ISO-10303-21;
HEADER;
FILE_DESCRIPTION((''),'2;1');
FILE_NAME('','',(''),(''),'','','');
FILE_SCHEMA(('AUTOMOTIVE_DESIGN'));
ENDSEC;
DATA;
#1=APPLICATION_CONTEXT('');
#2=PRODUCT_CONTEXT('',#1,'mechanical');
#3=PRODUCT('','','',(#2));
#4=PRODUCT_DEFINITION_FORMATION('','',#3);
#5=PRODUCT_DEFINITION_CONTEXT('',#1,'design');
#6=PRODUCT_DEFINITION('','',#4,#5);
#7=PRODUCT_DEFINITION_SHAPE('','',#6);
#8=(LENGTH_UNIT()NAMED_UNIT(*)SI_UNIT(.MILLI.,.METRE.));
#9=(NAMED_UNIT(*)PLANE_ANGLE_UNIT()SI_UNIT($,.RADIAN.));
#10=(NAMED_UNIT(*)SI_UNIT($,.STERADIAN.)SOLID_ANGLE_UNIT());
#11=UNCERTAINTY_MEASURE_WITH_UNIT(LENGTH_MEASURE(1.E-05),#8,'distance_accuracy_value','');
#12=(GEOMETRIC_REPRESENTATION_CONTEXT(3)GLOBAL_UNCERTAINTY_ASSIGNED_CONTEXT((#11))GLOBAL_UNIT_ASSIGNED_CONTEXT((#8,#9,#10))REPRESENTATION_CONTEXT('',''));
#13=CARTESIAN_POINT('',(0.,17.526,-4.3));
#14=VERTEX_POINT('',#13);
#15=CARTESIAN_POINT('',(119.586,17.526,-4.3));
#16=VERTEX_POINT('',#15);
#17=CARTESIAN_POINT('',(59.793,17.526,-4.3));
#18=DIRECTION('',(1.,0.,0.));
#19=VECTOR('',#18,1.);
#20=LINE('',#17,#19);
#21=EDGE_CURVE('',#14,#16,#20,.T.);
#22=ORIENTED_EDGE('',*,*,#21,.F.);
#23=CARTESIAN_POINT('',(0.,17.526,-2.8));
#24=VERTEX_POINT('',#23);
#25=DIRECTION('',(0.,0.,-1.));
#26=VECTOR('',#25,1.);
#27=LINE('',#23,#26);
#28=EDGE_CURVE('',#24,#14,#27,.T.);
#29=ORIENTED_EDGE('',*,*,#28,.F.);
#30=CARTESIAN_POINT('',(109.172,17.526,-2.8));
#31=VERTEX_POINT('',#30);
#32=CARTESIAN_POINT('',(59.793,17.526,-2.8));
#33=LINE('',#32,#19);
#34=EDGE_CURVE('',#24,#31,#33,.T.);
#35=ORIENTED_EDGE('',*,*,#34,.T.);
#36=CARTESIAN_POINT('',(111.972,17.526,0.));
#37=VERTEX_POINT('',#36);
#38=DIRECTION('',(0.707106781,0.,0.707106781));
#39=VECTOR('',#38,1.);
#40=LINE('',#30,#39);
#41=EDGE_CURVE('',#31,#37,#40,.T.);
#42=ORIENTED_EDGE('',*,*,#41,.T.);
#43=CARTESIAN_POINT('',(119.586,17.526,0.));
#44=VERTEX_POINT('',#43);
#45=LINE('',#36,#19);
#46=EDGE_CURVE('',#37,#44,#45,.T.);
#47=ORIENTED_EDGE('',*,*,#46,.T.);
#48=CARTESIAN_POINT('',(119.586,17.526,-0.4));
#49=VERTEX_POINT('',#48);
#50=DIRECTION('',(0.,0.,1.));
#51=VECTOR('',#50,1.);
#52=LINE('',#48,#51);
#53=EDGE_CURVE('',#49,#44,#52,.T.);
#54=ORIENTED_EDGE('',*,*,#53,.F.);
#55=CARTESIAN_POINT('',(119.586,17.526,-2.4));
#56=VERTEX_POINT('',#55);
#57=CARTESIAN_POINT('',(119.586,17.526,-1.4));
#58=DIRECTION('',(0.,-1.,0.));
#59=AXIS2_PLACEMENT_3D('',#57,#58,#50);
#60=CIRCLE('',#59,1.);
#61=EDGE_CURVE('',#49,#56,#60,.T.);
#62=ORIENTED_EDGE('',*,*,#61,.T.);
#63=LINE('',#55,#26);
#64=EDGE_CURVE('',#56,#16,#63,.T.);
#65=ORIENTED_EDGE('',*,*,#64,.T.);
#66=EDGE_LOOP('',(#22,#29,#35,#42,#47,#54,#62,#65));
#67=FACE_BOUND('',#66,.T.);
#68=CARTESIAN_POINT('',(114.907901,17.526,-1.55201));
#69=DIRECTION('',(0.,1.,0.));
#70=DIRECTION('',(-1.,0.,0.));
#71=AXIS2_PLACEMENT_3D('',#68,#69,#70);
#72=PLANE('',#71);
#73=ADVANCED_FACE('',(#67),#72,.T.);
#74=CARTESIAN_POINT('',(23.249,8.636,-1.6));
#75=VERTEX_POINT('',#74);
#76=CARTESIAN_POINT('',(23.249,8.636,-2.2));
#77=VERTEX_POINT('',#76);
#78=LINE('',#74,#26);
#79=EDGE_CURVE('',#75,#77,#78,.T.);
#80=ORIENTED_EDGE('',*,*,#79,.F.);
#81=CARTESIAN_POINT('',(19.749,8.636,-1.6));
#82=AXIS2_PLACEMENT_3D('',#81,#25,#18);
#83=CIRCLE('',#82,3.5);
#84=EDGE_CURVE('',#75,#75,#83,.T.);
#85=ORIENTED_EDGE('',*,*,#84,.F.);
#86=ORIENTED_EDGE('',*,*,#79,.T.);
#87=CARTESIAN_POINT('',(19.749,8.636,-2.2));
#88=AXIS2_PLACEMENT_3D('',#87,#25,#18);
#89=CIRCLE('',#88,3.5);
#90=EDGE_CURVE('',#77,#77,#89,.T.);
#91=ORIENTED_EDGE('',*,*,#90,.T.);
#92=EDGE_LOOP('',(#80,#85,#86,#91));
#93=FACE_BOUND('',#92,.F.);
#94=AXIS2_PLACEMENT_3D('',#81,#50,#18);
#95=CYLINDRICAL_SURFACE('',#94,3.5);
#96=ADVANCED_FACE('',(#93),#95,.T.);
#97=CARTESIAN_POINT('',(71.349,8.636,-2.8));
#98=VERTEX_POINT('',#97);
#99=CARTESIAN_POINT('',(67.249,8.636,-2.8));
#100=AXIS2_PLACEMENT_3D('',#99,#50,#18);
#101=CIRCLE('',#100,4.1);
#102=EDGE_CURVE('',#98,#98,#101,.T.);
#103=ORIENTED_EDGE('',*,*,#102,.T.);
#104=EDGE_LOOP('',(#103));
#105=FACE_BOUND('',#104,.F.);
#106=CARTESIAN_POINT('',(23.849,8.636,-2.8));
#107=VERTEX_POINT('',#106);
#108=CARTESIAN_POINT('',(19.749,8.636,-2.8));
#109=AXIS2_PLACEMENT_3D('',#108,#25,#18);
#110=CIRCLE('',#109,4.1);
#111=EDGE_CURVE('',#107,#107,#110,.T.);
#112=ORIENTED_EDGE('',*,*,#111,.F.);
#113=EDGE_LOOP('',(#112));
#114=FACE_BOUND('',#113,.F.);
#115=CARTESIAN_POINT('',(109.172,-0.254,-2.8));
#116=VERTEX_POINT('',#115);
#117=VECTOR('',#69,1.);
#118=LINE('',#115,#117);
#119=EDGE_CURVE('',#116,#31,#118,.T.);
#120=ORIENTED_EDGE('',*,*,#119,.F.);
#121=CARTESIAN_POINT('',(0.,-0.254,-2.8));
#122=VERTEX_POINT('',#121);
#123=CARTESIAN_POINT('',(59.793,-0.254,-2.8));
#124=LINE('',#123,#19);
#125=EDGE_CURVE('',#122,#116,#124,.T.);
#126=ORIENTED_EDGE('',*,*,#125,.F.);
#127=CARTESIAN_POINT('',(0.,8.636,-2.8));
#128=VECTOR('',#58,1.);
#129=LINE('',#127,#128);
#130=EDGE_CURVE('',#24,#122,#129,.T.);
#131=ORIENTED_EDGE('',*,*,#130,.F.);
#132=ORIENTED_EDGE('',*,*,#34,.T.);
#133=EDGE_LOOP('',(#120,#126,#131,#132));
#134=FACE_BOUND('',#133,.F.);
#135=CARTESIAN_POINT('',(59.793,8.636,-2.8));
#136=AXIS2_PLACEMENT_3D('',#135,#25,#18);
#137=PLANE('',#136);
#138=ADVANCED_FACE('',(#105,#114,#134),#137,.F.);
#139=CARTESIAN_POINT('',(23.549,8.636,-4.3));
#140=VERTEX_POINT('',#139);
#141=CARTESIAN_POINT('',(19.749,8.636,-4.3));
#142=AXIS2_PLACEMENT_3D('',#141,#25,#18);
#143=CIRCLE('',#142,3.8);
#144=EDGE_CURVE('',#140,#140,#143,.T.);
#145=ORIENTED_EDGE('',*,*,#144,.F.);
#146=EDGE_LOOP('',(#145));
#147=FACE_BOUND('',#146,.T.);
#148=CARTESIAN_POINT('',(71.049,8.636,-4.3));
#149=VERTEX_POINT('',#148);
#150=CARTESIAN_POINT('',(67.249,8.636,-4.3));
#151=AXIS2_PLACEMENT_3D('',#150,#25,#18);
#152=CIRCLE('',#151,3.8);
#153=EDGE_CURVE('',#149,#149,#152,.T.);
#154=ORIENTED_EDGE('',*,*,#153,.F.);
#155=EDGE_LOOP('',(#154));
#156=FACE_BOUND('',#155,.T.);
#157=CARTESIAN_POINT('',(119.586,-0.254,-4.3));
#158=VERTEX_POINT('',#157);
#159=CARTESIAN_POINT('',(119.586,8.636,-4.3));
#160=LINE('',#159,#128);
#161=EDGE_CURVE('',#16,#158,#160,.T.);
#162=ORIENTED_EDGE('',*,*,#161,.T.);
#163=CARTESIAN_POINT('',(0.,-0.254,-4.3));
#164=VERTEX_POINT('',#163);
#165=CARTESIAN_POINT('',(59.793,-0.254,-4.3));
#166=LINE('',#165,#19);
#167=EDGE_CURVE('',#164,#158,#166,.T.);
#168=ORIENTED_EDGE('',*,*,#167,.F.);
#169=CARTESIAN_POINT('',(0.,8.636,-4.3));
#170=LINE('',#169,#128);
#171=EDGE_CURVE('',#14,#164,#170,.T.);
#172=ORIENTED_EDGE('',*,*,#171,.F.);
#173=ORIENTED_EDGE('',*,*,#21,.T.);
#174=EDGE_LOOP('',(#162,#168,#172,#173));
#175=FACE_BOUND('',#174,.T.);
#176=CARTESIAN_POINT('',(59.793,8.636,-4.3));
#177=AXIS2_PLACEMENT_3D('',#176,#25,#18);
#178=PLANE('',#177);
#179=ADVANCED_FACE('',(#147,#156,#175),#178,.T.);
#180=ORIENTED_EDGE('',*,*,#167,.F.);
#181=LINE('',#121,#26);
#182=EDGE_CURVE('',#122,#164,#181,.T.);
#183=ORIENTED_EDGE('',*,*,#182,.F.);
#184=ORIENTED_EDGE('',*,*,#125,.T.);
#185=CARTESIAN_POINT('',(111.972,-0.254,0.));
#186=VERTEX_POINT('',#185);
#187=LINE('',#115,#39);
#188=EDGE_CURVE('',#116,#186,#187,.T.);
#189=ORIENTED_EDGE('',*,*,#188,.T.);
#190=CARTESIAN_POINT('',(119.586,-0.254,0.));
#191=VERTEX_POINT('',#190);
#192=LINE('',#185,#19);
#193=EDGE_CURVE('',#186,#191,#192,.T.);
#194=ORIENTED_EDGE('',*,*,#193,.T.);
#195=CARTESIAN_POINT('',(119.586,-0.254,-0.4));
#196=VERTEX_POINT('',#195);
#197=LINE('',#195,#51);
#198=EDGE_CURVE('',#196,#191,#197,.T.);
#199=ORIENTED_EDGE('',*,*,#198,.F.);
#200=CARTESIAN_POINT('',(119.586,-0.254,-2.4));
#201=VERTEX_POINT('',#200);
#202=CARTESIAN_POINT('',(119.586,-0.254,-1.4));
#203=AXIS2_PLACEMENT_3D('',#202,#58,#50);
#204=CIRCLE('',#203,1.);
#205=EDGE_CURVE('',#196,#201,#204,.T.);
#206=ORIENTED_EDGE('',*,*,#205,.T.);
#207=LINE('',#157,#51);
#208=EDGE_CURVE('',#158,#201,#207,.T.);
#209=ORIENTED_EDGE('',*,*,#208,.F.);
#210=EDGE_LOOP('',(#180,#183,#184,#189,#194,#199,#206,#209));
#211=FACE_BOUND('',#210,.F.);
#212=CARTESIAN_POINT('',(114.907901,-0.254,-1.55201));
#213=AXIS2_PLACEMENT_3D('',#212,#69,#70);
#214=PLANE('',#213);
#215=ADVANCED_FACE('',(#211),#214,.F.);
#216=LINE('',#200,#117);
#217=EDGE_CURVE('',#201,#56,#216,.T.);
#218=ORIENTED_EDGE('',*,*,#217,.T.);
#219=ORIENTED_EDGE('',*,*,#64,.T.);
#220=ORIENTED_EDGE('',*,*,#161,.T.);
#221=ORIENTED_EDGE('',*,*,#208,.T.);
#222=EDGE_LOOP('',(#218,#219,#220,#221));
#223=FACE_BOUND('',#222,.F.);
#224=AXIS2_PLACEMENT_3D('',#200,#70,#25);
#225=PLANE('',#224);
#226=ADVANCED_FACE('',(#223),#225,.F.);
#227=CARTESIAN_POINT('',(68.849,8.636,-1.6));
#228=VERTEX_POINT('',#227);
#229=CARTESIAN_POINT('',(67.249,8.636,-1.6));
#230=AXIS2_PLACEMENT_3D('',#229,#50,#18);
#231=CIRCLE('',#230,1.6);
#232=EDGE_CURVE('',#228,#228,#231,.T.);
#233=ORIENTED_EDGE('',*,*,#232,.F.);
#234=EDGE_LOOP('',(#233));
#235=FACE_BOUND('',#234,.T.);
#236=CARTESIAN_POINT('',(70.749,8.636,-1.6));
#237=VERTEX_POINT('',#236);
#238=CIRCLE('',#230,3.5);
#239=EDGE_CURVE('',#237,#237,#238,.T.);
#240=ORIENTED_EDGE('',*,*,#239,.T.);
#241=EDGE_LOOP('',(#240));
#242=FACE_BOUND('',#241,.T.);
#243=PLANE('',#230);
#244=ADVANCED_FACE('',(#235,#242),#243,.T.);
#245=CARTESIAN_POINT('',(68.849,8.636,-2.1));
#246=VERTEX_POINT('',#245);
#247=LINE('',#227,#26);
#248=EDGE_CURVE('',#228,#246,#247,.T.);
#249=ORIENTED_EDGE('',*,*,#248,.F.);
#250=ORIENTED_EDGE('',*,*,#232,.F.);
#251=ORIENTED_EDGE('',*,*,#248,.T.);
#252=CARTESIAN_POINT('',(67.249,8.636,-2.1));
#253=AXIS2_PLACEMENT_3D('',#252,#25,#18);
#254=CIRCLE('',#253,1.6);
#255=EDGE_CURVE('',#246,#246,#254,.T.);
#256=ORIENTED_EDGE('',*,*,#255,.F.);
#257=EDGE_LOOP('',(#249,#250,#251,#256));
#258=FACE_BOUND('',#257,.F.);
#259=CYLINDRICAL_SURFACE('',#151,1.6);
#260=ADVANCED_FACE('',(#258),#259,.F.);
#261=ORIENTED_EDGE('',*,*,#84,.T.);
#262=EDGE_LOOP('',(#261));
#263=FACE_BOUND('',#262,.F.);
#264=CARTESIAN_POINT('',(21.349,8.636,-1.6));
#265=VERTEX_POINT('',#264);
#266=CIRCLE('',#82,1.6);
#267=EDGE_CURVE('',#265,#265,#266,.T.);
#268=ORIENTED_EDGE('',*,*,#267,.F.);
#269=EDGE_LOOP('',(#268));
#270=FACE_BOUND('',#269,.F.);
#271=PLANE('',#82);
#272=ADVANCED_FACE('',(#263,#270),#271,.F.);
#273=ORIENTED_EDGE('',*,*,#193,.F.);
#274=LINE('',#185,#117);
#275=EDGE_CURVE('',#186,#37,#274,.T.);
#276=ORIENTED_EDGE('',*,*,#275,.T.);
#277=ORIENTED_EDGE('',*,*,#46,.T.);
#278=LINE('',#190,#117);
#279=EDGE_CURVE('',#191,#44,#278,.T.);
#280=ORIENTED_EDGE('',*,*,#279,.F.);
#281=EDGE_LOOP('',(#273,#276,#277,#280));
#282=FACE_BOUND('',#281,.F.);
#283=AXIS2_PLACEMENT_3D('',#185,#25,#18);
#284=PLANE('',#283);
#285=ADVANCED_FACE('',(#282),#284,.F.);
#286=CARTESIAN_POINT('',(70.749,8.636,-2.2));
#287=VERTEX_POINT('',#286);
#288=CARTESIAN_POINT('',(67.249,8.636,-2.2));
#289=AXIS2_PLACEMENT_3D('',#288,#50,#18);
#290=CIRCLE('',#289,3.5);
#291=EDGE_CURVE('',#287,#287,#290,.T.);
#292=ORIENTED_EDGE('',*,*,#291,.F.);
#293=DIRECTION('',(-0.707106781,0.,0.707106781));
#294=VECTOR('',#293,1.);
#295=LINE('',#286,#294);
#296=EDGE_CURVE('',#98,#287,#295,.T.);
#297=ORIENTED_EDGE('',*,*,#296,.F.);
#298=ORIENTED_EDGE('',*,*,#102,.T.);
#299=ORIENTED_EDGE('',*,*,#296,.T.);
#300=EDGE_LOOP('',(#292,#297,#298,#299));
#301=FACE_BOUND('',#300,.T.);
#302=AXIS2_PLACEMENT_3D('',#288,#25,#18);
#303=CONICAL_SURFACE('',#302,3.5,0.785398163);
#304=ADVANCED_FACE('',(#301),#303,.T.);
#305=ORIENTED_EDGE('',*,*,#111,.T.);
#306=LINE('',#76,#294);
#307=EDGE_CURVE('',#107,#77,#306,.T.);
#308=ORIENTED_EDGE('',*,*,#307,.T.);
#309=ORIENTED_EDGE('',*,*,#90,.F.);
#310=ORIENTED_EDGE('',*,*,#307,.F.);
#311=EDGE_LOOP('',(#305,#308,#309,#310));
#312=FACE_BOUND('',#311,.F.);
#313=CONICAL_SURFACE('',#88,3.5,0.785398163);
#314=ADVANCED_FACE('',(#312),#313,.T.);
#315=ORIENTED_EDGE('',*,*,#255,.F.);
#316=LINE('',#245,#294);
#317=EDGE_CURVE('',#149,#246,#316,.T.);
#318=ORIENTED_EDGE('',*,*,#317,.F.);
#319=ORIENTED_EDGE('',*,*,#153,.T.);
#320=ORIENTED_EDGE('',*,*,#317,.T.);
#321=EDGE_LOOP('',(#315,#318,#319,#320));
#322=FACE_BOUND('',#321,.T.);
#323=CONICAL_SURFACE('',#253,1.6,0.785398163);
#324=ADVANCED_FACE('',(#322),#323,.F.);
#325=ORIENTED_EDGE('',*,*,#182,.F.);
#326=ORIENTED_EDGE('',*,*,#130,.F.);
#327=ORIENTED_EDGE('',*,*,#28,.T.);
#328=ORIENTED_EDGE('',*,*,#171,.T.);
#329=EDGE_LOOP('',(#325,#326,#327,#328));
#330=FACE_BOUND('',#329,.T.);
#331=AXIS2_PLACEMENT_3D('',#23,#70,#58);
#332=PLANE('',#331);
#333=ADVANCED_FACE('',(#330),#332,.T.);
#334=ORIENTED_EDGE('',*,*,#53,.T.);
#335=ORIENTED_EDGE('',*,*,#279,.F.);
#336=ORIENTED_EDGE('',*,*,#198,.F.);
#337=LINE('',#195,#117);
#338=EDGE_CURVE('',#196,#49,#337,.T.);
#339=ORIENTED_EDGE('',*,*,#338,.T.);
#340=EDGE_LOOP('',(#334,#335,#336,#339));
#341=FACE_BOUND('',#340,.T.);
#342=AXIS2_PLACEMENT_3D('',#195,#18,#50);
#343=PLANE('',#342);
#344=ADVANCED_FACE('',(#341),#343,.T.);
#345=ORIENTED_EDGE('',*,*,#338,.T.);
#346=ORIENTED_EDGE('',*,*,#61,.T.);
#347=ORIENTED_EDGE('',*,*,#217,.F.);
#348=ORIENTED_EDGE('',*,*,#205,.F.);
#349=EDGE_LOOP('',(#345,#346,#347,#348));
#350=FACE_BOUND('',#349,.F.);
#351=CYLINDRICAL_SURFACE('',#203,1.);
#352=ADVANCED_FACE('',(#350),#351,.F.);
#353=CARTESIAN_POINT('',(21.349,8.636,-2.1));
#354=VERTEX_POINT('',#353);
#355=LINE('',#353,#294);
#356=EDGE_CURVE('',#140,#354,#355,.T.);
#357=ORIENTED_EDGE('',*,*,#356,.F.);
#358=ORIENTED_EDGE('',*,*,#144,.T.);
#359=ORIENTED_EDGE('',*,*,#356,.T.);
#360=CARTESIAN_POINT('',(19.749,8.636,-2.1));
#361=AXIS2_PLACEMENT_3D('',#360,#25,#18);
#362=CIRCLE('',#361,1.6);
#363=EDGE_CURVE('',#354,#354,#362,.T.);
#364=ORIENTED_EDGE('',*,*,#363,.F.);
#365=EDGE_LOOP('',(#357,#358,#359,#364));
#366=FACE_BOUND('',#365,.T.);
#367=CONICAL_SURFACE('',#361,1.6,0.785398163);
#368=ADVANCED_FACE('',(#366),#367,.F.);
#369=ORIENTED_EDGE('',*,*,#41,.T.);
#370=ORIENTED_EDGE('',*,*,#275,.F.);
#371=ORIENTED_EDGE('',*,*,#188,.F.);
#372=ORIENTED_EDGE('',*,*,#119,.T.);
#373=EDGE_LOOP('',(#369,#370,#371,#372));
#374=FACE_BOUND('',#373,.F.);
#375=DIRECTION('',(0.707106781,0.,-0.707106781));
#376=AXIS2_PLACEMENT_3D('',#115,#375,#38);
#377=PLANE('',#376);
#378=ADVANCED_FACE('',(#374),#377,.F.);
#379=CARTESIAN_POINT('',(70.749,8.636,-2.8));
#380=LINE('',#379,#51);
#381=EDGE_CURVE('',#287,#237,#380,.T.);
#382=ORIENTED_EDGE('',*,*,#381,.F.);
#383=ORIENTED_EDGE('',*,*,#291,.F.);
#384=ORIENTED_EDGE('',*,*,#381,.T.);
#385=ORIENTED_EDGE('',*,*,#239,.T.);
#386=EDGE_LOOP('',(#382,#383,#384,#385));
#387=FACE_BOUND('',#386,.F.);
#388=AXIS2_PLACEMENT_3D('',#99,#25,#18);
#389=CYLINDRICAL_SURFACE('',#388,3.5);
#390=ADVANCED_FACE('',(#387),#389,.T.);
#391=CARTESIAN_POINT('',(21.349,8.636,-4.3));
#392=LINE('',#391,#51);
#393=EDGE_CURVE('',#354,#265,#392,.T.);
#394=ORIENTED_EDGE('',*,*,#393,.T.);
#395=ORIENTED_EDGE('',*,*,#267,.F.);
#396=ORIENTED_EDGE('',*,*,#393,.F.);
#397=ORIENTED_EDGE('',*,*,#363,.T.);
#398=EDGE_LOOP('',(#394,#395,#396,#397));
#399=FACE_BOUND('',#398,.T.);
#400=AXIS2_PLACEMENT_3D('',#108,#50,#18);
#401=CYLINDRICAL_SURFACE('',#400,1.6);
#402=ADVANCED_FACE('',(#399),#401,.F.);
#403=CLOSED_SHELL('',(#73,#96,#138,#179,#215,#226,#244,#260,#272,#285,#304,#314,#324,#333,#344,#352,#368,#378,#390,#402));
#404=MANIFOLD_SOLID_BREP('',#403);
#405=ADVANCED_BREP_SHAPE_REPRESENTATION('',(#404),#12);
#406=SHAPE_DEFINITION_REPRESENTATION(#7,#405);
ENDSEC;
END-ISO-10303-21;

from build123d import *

# Parameters (mm, degrees)
SKETCH_R        = 3.5
SKETCH_R_2      = 1.6
PAD_DEPTH       = 1.2
SKETCH001_W     = 119.586
SKETCH001_H     = 17.78
SKETCH001_R     = 1.6
PAD001_DEPTH    = 1.5
SKETCH002_R     = 3.5
SKETCH002_R_2   = 1.6
PAD002_DEPTH    = 1.2
SKETCH003_R     = 1.6
POCKET_DEPTH    = 2.701
PAD003_DEPTH    = 17.78
CHAMFER_SIZE    = 2.2
CHAMFER002_SIZE = 0.6


with BuildPart() as part:
    # Sketch (on Face1 of CopyPcb_f5c5) → Pad (new body)
    with BuildSketch(Plane(origin=(-93.484762, 101.426, -1.6), x_dir=(1, 0, 0), z_dir=(0, 0, -1))):
        with Locations((113.233762, 92.79)):
            Circle(SKETCH_R)
        with Locations((113.233762, 92.79)):
            Circle(SKETCH_R_2, mode=Mode.SUBTRACT)
    extrude(amount=PAD_DEPTH)

    # Sketch001 (on Face4 of Pad) → Pad001 (join)
    with BuildSketch(Plane(origin=(-93.484762, 101.426, -2.8), x_dir=(1, 0, 0), z_dir=(0, 0, -1))):
        with Locations((153.277762, 92.79)):
            Rectangle(SKETCH001_W, SKETCH001_H)
        with Locations((113.233762, 92.79)):
            Circle(SKETCH001_R, mode=Mode.SUBTRACT)
    extrude(amount=PAD001_DEPTH)

    # Sketch002 (on Face3 of Pad001) → Pad002 (join)
    with BuildSketch(Plane(origin=(-93.484762, 101.426, -2.8), x_dir=(1, 0, 0), z_dir=(0, 0, 1))):
        with Locations((160.733762, -92.79)):
            Circle(SKETCH002_R)
        with Locations((160.733762, -92.79)):
            Circle(SKETCH002_R_2, mode=Mode.SUBTRACT)
    extrude(amount=PAD002_DEPTH)

    # Sketch003 (on Face11 of Pad002) → Pocket (cut, through all)
    with BuildSketch(Plane(origin=(-93.484762, 101.426, -4.3), x_dir=(1, 0, 0), z_dir=(0, 0, -1))):
        with Locations((160.733762, 92.79)):
            Circle(SKETCH003_R)
    extrude(amount=-POCKET_DEPTH, mode=Mode.SUBTRACT)

    # Sketch004 (on Face6 of Pocket) → Pad003 (join)
    with BuildSketch(Plane(origin=(-93.484762, -0.254, -1.6), x_dir=(1, 0, 0), z_dir=(0, -1, 0))):
        with BuildLine():
            Line((202.656762, -1.2), (205.456762, 1.6))
            Line((205.456762, 1.6), (213.070762, 1.6))
            Line((213.070762, 1.2), (213.070762, 1.6))
            ThreePointArc((213.070762, 1.2), (212.070762, 0.2), (213.070762, -0.8))
            Line((213.070762, -0.8), (213.070762, -1.2))
            Line((213.070762, -1.2), (202.656762, -1.2))
        make_face()
    extrude(amount=-PAD003_DEPTH)

    # Chamfer
    chamfer_edges = [part.edges().sort_by_distance(p)[0] for p in [
        (18.149, 8.636, -4.3),
        (65.649, 8.636, -4.3),
    ]]
    chamfer(chamfer_edges, length=CHAMFER_SIZE)

    # Chamfer002
    chamfer002_edges = [part.edges().sort_by_distance(p)[0] for p in [
        (16.249, 8.636, -2.8),
        (63.749, 8.636, -2.8),
    ]]
    chamfer(chamfer002_edges, length=CHAMFER002_SIZE)


solid = part.part
